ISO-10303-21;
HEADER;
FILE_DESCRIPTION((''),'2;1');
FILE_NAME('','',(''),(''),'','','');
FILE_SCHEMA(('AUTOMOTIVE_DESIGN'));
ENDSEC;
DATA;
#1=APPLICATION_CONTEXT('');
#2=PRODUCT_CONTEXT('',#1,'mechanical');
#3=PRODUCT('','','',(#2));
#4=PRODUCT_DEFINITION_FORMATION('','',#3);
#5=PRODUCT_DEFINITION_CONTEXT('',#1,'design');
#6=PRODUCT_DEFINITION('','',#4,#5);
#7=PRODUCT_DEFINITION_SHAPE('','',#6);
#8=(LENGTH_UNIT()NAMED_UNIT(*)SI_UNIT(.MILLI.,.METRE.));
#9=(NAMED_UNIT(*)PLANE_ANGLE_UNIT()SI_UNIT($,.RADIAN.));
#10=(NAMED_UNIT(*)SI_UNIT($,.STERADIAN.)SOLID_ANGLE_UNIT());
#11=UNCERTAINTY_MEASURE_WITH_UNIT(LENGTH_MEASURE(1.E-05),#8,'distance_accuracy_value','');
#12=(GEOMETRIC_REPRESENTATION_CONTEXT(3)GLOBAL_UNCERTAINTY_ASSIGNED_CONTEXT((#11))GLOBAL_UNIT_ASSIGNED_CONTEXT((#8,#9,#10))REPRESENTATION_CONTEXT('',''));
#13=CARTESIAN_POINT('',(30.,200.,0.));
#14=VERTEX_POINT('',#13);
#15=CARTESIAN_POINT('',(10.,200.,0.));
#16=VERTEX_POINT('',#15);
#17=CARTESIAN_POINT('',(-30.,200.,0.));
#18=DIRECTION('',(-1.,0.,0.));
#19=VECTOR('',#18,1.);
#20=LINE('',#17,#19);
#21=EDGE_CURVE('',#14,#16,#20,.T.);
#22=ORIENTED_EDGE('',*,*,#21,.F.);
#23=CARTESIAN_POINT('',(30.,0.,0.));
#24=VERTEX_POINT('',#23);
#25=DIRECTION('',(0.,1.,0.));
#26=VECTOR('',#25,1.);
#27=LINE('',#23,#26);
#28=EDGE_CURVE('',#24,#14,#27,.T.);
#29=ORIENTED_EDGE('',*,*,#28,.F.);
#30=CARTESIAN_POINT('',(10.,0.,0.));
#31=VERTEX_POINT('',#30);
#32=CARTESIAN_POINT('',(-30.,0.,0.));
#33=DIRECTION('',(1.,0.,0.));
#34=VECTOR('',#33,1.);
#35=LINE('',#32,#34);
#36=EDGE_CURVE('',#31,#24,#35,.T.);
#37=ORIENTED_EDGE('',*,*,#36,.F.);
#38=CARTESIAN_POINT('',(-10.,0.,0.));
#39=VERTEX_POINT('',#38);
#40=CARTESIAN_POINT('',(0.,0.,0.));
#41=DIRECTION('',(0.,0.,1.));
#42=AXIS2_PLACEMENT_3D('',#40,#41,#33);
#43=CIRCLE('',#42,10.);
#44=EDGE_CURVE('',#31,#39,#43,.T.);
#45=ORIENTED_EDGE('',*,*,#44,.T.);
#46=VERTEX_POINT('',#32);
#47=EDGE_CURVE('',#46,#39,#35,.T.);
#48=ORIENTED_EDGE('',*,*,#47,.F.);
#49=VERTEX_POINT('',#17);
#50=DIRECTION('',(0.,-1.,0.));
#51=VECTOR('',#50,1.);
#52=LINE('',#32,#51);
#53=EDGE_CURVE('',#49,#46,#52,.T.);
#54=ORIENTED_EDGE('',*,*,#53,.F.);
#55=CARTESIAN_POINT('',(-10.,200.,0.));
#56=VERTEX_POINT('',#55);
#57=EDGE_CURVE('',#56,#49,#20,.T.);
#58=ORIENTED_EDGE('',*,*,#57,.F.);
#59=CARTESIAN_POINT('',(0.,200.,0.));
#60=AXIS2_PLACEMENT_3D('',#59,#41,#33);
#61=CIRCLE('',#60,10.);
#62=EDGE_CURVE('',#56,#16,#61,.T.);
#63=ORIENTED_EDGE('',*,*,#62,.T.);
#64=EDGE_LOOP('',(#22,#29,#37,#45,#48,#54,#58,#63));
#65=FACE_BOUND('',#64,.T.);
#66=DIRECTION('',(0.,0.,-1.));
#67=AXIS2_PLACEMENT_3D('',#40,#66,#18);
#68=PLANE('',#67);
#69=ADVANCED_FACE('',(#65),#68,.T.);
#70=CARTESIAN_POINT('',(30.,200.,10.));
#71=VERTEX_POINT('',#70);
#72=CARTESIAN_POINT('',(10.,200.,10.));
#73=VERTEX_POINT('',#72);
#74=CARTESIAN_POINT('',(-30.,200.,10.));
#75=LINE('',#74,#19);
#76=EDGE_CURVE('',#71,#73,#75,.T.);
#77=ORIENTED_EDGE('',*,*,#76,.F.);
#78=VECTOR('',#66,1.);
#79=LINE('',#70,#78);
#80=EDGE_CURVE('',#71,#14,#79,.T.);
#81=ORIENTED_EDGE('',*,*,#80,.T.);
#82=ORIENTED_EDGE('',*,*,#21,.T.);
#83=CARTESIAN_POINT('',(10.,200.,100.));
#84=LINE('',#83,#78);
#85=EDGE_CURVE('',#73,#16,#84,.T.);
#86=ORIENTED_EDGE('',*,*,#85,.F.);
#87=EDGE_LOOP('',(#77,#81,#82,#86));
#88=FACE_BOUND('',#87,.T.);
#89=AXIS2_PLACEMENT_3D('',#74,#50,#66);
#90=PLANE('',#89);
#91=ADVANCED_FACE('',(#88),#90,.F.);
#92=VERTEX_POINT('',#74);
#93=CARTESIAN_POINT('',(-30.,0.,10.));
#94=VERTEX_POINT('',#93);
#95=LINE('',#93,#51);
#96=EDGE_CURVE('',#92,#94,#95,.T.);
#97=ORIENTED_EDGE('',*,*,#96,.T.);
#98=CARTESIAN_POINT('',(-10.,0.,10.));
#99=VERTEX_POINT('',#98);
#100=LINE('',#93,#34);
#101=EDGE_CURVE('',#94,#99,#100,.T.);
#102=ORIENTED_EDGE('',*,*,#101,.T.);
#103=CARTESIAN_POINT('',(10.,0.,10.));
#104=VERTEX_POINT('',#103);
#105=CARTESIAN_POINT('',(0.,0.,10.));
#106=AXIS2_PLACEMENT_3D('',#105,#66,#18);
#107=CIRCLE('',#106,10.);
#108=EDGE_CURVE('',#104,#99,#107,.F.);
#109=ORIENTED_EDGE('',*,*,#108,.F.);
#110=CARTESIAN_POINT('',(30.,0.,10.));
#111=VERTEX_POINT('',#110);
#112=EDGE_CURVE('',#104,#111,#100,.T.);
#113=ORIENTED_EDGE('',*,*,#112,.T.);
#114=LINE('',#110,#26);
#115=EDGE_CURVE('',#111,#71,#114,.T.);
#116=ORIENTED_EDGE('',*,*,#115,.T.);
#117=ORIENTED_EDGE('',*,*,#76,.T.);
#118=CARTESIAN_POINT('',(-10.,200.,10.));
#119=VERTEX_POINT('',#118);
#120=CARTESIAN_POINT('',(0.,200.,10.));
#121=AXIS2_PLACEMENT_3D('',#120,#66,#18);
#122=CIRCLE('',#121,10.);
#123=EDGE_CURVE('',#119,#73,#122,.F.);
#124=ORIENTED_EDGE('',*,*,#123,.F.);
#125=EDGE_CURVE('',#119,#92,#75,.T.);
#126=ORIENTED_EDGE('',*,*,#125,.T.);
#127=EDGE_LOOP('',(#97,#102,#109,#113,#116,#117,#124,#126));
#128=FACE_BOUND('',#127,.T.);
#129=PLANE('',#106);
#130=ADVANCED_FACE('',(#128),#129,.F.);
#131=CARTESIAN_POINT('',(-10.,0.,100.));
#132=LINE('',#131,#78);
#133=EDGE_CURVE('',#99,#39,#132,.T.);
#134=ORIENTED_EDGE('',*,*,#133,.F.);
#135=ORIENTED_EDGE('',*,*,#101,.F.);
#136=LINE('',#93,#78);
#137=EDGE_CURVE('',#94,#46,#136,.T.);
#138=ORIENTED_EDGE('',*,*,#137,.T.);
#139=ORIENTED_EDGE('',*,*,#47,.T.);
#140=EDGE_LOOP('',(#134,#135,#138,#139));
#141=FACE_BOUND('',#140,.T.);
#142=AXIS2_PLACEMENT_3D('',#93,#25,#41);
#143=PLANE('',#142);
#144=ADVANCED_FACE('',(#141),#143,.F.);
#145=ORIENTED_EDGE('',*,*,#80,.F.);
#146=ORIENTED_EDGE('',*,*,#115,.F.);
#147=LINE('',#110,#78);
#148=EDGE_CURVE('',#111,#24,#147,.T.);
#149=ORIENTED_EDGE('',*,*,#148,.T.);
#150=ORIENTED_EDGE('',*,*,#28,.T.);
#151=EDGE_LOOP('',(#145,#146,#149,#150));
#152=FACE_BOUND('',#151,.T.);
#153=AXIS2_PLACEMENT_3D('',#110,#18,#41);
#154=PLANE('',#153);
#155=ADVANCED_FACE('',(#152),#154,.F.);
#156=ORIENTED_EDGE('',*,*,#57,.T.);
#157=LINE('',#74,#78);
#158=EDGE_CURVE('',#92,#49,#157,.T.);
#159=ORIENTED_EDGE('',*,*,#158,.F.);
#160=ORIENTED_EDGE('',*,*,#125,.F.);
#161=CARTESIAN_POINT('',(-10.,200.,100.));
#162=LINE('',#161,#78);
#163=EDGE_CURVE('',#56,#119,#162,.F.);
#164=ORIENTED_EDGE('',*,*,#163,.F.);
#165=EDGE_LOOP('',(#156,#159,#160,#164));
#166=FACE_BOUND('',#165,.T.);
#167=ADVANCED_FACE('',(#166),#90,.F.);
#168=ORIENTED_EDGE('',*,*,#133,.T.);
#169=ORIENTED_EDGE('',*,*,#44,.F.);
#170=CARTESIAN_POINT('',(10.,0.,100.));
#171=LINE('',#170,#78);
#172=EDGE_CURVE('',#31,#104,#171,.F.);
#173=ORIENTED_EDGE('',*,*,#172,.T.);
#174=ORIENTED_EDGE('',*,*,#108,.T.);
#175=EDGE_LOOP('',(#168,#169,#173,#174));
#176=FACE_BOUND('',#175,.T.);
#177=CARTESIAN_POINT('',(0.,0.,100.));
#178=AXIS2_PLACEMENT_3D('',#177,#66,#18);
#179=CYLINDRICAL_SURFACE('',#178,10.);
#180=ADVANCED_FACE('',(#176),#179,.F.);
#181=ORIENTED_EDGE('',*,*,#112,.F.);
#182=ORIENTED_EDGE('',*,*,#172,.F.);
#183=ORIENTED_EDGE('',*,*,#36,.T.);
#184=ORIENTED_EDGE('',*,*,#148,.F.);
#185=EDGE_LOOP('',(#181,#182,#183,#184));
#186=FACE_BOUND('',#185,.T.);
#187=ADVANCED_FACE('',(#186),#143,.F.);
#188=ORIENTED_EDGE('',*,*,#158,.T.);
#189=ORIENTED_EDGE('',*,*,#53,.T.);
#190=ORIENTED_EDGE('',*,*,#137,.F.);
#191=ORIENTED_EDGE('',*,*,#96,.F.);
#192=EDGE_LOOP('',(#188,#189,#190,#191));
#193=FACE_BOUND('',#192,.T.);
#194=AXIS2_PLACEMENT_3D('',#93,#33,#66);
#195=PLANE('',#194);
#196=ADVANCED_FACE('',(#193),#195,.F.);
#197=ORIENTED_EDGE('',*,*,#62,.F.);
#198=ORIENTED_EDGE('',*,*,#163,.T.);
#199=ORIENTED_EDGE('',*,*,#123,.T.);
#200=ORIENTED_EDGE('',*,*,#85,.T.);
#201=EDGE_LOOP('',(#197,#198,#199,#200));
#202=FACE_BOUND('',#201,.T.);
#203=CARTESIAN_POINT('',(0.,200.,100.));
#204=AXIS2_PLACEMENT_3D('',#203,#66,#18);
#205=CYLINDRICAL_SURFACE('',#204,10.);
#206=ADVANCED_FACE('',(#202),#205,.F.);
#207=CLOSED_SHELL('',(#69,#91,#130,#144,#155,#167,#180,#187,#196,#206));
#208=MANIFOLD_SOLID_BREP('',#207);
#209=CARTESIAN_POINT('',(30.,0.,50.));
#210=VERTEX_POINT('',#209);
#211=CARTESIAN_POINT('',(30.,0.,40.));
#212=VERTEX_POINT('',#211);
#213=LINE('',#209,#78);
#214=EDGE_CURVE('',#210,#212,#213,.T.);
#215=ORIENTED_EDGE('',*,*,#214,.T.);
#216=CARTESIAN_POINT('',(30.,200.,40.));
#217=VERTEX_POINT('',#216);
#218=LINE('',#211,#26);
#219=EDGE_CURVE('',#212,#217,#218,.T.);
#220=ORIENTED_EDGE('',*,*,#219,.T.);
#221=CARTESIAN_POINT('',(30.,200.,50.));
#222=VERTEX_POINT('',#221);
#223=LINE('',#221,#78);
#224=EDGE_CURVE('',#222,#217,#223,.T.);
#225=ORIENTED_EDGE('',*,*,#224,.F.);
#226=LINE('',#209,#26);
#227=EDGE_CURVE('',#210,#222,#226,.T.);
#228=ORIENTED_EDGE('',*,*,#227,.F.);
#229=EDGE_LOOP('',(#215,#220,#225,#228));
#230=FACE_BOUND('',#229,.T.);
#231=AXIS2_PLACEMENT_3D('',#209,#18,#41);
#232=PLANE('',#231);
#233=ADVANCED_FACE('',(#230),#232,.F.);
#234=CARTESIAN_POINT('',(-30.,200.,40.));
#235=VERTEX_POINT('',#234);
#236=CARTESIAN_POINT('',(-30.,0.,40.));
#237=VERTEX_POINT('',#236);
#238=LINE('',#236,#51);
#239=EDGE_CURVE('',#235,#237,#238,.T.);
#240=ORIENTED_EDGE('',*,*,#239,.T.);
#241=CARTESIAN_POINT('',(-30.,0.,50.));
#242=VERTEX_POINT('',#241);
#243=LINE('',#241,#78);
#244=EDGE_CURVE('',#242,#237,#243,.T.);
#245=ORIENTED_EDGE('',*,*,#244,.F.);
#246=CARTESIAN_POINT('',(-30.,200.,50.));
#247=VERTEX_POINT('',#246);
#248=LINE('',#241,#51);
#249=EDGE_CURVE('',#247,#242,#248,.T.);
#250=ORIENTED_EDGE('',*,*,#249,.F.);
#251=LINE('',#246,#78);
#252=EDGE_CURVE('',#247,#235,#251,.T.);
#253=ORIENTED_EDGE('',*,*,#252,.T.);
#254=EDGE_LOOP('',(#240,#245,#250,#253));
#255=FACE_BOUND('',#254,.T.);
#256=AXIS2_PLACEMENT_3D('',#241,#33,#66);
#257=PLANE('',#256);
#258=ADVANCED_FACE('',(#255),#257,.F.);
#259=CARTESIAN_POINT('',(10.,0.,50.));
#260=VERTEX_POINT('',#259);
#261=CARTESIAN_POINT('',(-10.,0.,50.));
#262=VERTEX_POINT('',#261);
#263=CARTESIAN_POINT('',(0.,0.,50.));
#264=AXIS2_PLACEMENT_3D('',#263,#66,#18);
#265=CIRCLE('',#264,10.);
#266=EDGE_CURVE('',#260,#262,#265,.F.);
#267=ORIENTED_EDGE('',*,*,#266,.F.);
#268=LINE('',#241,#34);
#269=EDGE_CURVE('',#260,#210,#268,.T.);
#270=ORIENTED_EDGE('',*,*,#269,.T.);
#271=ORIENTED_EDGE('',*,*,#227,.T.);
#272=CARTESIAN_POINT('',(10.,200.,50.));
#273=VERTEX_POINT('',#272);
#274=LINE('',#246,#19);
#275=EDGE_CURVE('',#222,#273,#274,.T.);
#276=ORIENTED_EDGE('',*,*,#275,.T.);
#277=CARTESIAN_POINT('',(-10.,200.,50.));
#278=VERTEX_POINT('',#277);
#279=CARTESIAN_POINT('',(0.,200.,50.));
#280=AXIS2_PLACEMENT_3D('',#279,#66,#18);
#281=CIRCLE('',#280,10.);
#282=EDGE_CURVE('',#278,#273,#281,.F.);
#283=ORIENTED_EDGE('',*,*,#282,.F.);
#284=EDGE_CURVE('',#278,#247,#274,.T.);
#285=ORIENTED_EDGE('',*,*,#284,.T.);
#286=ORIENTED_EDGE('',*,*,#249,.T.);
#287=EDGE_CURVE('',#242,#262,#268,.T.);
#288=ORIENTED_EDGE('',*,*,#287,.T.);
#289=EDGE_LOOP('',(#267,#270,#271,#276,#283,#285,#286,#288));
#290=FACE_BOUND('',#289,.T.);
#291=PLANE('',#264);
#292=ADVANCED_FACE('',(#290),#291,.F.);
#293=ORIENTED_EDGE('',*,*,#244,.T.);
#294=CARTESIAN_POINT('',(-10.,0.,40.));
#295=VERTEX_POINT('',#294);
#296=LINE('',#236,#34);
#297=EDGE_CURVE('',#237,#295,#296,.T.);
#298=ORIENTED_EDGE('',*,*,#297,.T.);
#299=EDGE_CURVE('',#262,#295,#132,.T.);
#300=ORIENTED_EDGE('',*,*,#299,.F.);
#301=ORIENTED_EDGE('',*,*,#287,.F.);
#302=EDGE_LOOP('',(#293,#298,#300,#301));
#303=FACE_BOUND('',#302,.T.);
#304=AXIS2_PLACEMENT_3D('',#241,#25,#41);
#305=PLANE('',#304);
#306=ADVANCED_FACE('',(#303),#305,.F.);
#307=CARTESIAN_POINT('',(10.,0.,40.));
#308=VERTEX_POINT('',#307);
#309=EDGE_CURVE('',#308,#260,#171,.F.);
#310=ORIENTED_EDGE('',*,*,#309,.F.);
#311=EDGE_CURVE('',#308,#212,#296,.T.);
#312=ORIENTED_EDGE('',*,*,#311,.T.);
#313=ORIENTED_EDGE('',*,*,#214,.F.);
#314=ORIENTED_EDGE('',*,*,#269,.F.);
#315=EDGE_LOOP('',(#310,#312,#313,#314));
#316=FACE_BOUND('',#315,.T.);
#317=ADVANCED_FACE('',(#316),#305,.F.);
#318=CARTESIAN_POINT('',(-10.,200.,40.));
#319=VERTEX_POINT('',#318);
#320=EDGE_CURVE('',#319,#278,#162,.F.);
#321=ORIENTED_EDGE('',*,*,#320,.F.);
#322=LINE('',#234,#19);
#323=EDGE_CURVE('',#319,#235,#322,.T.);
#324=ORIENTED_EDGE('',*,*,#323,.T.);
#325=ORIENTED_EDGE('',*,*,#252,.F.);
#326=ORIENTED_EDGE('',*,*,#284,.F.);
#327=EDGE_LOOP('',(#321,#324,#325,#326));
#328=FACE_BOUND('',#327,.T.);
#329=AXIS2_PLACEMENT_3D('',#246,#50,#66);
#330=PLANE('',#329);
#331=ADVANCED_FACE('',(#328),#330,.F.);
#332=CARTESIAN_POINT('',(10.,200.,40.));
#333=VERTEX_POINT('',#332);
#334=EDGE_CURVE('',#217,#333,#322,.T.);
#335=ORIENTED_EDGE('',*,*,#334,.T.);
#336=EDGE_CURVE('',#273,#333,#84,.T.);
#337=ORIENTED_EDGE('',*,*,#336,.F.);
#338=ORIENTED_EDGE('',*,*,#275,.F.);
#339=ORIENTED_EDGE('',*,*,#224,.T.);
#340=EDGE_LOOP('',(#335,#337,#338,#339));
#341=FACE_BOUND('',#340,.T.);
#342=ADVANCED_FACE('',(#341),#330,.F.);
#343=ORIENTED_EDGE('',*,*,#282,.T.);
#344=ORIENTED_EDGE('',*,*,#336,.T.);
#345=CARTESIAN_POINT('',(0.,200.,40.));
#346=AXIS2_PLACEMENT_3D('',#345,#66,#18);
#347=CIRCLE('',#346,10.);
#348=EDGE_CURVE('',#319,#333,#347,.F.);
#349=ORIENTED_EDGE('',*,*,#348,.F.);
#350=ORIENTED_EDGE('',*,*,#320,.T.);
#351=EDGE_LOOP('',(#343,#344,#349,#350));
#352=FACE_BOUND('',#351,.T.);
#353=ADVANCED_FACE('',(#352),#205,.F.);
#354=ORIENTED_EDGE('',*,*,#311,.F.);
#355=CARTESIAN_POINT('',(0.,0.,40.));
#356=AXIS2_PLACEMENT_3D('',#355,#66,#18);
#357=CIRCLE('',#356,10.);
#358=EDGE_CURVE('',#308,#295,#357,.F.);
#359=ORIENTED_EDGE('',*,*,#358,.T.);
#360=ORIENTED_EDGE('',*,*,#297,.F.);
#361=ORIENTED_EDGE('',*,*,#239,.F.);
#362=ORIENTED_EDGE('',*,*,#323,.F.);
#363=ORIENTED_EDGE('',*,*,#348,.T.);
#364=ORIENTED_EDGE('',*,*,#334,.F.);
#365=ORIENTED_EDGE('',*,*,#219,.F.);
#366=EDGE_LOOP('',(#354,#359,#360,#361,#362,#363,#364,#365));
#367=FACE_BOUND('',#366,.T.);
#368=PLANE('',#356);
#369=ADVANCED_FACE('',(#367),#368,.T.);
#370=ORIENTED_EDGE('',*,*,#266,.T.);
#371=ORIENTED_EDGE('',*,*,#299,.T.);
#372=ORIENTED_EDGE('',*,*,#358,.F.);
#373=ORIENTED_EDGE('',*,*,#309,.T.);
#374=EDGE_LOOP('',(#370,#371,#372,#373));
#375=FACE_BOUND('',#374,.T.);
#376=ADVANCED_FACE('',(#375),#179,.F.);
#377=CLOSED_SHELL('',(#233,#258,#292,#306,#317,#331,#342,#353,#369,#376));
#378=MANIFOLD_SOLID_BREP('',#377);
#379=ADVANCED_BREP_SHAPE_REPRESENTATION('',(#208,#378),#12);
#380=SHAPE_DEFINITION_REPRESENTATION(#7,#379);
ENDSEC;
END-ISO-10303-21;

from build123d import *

# Parameters (mm, degrees)
SKETCH1_W           = 60
SKETCH1_H           = 200
BOSS_EXTRUDE1_DEPTH = 10
SKETCH2_W           = 60
SKETCH2_H           = 200
BOSS_EXTRUDE2_DEPTH = 10
SKETCH3_R           = 10
CUT_EXTRUDE1_DEPTH  = 100


with BuildPart() as part:
    # Sketch1 → Boss-Extrude1 (new body)
    with BuildSketch(Plane.XY):
        with Locations((0, 100)):
            Rectangle(SKETCH1_W, SKETCH1_H)
    extrude(amount=BOSS_EXTRUDE1_DEPTH)


with BuildPart() as body_2:
    # Sketch2 → Boss-Extrude2 (new body)
    with BuildSketch(Plane.XY.offset(40)):
        with Locations((0, 100)):
            Rectangle(SKETCH2_W, SKETCH2_H)
    extrude(amount=BOSS_EXTRUDE2_DEPTH)


with BuildPart() as cut_extrude1_tool:
    # Sketch3 → Cut-Extrude1 (new body)
    with BuildSketch(Plane.XY):
        Circle(SKETCH3_R)
        with Locations((0, 200)):
            Circle(SKETCH3_R)
    extrude(amount=CUT_EXTRUDE1_DEPTH)


with BuildPart() as part_1:
    add(part.part)

    # Cut-Extrude1: cut by cut_extrude1_tool
    add(cut_extrude1_tool.part, mode=Mode.SUBTRACT)


with BuildPart() as body_2_1:
    add(body_2.part)

    # Cut-Extrude1: cut by cut_extrude1_tool
    add(cut_extrude1_tool.part, mode=Mode.SUBTRACT)


solid = Compound([part_1.part, body_2_1.part])
